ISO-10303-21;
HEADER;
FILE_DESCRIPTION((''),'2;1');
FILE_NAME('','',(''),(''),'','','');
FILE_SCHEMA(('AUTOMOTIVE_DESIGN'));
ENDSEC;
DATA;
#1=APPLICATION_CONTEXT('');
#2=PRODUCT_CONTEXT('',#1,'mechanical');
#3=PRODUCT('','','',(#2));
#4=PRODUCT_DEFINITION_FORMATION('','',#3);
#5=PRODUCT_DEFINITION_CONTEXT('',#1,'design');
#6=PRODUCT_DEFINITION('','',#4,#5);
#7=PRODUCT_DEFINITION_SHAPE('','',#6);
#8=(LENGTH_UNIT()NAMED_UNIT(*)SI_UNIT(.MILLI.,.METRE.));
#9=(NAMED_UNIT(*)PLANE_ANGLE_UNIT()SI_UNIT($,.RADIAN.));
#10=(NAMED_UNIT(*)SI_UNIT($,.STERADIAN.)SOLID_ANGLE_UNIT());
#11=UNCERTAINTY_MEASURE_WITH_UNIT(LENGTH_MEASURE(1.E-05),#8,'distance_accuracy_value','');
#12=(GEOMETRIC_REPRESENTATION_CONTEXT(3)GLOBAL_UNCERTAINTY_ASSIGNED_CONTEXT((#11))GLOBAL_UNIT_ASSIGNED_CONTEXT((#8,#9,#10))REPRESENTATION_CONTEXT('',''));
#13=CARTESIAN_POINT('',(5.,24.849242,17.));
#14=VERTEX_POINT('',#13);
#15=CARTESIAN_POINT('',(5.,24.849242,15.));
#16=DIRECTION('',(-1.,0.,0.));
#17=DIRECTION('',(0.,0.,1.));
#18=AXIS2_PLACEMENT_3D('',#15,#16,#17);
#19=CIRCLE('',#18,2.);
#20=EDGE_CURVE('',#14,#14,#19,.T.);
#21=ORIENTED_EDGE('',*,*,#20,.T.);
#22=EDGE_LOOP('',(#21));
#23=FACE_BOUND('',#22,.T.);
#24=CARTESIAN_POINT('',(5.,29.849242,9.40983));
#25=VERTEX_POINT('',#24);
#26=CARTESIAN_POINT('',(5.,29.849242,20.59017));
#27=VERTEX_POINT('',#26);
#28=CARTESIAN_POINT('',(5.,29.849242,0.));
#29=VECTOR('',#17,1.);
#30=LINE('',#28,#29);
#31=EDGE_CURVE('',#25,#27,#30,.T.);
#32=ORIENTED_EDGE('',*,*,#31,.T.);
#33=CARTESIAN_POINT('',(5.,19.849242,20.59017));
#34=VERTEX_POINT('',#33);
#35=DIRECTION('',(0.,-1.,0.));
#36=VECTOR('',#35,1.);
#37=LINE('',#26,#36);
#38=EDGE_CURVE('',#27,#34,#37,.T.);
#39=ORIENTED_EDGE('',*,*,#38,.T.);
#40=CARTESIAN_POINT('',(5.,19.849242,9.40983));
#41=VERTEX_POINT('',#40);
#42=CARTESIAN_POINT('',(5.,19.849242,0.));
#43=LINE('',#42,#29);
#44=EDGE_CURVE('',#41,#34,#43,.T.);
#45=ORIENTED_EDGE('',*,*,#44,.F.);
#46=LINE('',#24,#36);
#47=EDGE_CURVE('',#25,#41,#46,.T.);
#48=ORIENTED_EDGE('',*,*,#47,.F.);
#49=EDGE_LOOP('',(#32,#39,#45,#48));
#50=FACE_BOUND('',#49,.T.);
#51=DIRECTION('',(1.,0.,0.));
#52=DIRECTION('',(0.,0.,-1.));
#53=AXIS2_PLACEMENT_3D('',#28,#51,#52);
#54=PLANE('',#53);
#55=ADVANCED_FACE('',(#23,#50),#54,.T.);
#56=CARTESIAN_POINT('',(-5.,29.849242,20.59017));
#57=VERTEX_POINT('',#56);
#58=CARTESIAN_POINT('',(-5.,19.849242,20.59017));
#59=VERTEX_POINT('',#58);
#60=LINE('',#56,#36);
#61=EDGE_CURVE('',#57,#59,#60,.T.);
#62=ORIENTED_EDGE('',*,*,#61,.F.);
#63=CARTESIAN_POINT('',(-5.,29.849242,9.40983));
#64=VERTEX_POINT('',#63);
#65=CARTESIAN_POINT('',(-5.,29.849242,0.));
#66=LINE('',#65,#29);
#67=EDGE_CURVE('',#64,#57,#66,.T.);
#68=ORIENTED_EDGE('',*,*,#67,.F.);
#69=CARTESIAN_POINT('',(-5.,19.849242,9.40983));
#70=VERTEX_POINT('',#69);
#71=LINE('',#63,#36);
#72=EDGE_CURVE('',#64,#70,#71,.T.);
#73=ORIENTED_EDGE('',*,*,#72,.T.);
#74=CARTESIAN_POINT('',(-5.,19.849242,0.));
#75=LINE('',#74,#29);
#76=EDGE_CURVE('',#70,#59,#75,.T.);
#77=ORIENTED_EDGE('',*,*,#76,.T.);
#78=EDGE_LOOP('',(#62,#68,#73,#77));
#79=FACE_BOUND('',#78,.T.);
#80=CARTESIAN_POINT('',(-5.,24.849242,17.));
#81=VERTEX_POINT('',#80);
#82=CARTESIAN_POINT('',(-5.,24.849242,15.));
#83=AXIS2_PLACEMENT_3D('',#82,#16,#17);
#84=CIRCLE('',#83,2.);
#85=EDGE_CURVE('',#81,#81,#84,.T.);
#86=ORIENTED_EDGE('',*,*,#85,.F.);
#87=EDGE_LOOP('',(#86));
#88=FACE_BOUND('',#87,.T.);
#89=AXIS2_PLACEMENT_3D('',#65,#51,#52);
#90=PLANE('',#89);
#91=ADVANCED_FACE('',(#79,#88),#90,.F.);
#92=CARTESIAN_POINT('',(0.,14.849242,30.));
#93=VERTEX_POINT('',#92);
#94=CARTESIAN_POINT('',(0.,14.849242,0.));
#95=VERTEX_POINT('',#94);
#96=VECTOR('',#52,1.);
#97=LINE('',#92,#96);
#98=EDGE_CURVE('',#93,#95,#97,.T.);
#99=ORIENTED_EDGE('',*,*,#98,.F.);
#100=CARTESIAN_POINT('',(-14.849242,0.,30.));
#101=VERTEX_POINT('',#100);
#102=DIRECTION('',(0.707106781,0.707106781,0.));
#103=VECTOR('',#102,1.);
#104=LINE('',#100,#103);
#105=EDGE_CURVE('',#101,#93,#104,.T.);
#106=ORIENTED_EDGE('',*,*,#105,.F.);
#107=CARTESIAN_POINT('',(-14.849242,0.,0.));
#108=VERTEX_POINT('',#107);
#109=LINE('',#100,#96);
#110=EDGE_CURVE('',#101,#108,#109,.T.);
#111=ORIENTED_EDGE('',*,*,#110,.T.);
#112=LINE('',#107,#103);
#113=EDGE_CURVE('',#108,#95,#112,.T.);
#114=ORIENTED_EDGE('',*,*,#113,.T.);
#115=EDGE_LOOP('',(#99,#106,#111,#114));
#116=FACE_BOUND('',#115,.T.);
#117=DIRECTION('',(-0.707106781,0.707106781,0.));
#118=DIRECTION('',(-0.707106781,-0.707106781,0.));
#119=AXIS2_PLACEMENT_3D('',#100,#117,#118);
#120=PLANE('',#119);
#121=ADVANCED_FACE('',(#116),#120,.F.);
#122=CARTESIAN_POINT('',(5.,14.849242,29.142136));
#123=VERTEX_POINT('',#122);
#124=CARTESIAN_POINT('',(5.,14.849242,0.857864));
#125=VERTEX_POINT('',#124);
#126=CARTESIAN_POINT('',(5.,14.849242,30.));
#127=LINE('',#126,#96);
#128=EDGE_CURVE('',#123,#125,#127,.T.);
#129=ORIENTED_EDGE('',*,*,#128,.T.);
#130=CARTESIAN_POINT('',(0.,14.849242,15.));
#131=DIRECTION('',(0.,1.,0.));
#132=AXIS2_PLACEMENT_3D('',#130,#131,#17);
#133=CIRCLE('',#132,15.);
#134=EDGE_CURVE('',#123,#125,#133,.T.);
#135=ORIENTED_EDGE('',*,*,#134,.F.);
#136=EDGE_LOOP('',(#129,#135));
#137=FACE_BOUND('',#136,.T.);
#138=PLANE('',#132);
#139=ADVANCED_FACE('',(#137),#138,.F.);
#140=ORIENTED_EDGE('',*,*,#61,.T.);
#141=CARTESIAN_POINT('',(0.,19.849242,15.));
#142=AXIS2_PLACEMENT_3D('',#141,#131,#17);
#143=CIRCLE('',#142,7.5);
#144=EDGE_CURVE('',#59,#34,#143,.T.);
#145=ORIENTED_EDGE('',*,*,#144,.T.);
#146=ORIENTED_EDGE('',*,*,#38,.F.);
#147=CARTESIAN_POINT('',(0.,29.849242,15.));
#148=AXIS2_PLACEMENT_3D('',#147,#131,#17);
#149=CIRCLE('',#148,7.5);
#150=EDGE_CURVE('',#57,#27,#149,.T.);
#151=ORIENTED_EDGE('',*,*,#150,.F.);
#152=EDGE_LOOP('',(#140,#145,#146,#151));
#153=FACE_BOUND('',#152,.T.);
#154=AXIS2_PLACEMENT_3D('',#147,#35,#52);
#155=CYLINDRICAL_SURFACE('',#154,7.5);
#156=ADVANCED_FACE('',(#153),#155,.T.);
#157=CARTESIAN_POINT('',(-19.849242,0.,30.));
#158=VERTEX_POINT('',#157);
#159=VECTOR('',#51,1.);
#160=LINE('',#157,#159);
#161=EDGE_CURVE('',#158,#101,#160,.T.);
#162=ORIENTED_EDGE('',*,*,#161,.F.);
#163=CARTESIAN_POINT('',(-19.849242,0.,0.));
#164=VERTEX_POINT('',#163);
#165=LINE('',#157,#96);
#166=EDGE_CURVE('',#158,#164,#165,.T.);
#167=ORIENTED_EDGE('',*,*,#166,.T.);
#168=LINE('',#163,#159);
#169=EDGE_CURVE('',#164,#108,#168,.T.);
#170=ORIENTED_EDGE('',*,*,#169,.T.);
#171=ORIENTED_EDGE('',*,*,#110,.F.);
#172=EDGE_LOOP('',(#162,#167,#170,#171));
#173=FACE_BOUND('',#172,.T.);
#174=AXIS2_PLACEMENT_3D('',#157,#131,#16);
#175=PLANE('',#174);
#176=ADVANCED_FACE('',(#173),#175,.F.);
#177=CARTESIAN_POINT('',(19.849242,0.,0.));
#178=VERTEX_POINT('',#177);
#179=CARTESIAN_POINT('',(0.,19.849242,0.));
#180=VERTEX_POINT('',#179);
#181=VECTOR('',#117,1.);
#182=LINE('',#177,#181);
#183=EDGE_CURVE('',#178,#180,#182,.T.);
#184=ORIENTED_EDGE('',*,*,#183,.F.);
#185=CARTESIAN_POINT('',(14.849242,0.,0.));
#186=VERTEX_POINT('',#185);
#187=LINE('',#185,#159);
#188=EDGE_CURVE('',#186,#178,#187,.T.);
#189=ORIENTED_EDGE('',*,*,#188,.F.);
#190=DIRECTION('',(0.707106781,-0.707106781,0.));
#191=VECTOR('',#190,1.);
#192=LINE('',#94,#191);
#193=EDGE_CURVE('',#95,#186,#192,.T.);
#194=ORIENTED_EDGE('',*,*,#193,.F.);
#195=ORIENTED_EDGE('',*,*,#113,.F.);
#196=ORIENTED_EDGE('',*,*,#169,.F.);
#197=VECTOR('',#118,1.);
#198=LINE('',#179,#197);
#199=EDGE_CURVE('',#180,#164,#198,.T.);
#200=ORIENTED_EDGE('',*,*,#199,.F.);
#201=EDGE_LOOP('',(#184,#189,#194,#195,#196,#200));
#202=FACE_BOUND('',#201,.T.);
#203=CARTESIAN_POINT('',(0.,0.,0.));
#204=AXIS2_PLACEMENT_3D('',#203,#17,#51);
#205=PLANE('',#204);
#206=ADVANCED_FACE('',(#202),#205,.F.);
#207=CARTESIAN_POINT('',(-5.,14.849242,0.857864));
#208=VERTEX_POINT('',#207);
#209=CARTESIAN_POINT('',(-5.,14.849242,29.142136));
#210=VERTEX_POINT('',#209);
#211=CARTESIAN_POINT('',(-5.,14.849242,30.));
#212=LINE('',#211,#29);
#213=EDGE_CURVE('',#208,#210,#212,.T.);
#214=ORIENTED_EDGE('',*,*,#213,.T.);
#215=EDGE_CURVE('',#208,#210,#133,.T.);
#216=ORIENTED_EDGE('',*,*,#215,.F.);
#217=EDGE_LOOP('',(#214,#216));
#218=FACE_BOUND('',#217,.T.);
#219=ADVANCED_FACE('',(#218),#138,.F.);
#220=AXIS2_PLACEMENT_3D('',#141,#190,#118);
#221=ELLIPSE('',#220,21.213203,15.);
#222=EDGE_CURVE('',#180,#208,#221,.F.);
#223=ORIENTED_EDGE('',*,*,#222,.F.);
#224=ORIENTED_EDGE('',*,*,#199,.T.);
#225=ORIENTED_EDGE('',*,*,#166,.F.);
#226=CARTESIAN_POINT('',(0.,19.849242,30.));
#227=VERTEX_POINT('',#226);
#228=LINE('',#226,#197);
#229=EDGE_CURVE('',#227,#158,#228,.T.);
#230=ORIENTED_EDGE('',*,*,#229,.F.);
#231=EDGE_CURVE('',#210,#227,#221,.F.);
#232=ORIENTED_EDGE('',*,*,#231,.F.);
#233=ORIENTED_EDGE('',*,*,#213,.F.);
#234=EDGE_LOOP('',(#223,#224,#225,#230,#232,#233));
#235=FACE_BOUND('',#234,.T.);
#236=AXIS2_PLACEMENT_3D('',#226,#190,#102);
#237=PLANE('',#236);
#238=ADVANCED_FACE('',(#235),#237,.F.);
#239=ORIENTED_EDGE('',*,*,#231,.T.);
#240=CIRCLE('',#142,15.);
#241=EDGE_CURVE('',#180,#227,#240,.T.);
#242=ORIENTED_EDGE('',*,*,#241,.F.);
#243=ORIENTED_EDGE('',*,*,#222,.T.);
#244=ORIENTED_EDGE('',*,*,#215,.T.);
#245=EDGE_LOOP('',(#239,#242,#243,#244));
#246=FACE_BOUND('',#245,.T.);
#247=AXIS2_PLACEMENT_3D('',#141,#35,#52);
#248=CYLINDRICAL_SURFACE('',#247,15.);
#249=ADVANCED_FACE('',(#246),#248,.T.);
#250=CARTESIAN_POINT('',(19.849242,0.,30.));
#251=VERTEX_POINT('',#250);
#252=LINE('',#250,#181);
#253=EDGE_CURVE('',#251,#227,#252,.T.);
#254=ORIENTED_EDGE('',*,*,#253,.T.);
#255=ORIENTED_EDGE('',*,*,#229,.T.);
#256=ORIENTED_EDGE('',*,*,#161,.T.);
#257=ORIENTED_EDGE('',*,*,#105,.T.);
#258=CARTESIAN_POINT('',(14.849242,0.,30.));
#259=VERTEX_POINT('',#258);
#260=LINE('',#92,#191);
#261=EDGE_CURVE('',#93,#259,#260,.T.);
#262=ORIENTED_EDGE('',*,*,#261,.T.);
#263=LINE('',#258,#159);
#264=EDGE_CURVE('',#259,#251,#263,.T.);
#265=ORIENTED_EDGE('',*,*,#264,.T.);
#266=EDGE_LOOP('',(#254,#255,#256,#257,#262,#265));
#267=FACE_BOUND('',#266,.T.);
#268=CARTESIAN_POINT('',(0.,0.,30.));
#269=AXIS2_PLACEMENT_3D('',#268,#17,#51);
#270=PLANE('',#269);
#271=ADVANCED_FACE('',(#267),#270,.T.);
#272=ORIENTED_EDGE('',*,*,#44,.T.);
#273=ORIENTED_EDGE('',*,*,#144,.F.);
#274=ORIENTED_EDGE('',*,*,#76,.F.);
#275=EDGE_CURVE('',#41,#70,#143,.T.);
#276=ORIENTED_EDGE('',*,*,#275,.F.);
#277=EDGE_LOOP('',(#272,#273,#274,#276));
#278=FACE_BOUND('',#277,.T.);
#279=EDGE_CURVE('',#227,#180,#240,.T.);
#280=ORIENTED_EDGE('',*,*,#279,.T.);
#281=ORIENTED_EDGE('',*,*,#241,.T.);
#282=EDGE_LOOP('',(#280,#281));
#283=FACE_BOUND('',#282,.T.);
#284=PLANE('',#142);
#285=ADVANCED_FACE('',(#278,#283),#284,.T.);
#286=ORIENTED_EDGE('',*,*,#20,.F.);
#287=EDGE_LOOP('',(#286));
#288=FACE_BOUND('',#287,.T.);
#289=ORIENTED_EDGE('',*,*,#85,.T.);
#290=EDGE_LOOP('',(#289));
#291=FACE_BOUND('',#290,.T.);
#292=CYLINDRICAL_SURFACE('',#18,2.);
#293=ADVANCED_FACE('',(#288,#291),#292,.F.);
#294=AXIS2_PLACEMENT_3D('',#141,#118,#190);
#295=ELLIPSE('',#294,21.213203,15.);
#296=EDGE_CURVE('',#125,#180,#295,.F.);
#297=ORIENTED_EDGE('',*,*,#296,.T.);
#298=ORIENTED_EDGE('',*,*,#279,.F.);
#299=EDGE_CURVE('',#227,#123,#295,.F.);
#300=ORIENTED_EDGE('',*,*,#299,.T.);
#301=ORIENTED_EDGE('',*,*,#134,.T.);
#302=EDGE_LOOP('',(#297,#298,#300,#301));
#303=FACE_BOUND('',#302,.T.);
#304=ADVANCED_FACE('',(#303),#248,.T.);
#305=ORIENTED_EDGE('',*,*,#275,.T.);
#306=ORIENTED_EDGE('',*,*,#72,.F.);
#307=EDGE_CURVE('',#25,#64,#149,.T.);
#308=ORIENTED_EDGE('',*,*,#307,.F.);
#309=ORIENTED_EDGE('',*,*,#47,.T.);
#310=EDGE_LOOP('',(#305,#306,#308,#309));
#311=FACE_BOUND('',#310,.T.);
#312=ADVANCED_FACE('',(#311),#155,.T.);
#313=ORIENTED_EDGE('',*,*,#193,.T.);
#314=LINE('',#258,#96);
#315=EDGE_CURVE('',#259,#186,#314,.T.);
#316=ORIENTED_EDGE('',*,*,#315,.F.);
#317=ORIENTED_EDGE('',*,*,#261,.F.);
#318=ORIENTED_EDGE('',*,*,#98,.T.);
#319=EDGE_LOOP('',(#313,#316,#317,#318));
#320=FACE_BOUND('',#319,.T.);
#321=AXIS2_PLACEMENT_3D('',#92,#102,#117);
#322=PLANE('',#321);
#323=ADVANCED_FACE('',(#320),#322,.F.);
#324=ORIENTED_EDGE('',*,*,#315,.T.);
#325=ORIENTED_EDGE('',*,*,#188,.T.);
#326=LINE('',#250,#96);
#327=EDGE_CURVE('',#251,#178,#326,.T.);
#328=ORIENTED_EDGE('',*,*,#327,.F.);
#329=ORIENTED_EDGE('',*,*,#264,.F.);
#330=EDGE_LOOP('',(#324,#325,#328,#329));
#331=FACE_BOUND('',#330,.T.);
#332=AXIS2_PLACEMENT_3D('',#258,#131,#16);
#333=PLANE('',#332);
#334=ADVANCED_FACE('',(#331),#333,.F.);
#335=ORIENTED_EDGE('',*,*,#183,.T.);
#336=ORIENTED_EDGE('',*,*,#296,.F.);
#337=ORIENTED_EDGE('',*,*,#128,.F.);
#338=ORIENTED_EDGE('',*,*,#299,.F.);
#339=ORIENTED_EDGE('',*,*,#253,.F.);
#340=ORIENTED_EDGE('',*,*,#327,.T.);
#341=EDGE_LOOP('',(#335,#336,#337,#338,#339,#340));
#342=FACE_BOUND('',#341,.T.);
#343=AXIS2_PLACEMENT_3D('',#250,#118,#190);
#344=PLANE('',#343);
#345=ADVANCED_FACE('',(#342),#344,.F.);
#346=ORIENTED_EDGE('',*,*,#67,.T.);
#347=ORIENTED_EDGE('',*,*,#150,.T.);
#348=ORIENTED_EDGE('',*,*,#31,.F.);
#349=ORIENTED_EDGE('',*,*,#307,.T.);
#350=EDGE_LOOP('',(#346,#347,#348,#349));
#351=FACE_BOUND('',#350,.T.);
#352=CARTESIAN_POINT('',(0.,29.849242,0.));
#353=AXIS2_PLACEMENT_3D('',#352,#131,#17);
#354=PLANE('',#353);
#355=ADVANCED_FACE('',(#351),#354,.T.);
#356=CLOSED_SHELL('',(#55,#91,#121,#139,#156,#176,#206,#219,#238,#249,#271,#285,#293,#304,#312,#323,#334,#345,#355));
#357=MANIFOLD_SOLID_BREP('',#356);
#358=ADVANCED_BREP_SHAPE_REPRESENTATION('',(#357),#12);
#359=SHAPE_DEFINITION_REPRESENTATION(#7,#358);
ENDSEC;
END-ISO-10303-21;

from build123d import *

# Parameters (mm, degrees)
BOSS_EXTRU_1_DEPTH      = 30
ESQUISSE2_R             = 15
BOSS_EXTRU_2_DEPTH      = 5
BOSS_EXTRU_3_DEPTH      = 10
ESQUISSE7_R             = 2
ENL_V_MAT_EXTRU_1_DEPTH = 10


with BuildPart() as part:
    # Esquisse1 → Boss.-Extru.1 (new body)
    with BuildSketch(Plane.XY):
        Polygon((-14.849242405, 0), (0, 14.849242405), (14.849242405, 0), (19.849242405, 0), (0, 19.849242405), (-19.849242405, 0), align=None)
    extrude(amount=BOSS_EXTRU_1_DEPTH)

    # Esquisse2 → Boss.-Extru.2 (add)
    with BuildSketch(Plane(origin=(0, 14.849242405, 0), x_dir=(1, 0, 0), z_dir=(0, 1, 0))):
        with Locations((0, -15)):
            Circle(ESQUISSE2_R)
    extrude(amount=BOSS_EXTRU_2_DEPTH)

    # Esquisse5 → Boss.-Extru.3 (add)
    with BuildSketch(Plane(origin=(0, 19.849242405, 0), x_dir=(1, 0, 0), z_dir=(0, 1, 0))):
        with BuildLine():
            ThreePointArc((5, -9.409830056), (0, -7.5), (-5, -9.409830056))
            Line((-5, -9.409830056), (-5, -15))
            Line((-5, -15), (5, -15))
            Line((5, -15), (5, -9.409830056))
        make_face()
        with BuildLine():
            Line((5, -15), (-5, -15))
            Line((-5, -15), (-5, -20.590169944))
            ThreePointArc((-5, -20.590169944), (0, -22.5), (5, -20.590169944))
            Line((5, -20.590169944), (5, -15))
        make_face()
    extrude(amount=BOSS_EXTRU_3_DEPTH)

    # Esquisse7 → Enlèv. mat.-Extru.1 (cut)
    with BuildSketch(Plane.ZY.offset(5)):
        with Locations((15, 24.849242405)):
            Circle(ESQUISSE7_R)
    extrude(amount=-ENL_V_MAT_EXTRU_1_DEPTH, mode=Mode.SUBTRACT)


solid = part.part
